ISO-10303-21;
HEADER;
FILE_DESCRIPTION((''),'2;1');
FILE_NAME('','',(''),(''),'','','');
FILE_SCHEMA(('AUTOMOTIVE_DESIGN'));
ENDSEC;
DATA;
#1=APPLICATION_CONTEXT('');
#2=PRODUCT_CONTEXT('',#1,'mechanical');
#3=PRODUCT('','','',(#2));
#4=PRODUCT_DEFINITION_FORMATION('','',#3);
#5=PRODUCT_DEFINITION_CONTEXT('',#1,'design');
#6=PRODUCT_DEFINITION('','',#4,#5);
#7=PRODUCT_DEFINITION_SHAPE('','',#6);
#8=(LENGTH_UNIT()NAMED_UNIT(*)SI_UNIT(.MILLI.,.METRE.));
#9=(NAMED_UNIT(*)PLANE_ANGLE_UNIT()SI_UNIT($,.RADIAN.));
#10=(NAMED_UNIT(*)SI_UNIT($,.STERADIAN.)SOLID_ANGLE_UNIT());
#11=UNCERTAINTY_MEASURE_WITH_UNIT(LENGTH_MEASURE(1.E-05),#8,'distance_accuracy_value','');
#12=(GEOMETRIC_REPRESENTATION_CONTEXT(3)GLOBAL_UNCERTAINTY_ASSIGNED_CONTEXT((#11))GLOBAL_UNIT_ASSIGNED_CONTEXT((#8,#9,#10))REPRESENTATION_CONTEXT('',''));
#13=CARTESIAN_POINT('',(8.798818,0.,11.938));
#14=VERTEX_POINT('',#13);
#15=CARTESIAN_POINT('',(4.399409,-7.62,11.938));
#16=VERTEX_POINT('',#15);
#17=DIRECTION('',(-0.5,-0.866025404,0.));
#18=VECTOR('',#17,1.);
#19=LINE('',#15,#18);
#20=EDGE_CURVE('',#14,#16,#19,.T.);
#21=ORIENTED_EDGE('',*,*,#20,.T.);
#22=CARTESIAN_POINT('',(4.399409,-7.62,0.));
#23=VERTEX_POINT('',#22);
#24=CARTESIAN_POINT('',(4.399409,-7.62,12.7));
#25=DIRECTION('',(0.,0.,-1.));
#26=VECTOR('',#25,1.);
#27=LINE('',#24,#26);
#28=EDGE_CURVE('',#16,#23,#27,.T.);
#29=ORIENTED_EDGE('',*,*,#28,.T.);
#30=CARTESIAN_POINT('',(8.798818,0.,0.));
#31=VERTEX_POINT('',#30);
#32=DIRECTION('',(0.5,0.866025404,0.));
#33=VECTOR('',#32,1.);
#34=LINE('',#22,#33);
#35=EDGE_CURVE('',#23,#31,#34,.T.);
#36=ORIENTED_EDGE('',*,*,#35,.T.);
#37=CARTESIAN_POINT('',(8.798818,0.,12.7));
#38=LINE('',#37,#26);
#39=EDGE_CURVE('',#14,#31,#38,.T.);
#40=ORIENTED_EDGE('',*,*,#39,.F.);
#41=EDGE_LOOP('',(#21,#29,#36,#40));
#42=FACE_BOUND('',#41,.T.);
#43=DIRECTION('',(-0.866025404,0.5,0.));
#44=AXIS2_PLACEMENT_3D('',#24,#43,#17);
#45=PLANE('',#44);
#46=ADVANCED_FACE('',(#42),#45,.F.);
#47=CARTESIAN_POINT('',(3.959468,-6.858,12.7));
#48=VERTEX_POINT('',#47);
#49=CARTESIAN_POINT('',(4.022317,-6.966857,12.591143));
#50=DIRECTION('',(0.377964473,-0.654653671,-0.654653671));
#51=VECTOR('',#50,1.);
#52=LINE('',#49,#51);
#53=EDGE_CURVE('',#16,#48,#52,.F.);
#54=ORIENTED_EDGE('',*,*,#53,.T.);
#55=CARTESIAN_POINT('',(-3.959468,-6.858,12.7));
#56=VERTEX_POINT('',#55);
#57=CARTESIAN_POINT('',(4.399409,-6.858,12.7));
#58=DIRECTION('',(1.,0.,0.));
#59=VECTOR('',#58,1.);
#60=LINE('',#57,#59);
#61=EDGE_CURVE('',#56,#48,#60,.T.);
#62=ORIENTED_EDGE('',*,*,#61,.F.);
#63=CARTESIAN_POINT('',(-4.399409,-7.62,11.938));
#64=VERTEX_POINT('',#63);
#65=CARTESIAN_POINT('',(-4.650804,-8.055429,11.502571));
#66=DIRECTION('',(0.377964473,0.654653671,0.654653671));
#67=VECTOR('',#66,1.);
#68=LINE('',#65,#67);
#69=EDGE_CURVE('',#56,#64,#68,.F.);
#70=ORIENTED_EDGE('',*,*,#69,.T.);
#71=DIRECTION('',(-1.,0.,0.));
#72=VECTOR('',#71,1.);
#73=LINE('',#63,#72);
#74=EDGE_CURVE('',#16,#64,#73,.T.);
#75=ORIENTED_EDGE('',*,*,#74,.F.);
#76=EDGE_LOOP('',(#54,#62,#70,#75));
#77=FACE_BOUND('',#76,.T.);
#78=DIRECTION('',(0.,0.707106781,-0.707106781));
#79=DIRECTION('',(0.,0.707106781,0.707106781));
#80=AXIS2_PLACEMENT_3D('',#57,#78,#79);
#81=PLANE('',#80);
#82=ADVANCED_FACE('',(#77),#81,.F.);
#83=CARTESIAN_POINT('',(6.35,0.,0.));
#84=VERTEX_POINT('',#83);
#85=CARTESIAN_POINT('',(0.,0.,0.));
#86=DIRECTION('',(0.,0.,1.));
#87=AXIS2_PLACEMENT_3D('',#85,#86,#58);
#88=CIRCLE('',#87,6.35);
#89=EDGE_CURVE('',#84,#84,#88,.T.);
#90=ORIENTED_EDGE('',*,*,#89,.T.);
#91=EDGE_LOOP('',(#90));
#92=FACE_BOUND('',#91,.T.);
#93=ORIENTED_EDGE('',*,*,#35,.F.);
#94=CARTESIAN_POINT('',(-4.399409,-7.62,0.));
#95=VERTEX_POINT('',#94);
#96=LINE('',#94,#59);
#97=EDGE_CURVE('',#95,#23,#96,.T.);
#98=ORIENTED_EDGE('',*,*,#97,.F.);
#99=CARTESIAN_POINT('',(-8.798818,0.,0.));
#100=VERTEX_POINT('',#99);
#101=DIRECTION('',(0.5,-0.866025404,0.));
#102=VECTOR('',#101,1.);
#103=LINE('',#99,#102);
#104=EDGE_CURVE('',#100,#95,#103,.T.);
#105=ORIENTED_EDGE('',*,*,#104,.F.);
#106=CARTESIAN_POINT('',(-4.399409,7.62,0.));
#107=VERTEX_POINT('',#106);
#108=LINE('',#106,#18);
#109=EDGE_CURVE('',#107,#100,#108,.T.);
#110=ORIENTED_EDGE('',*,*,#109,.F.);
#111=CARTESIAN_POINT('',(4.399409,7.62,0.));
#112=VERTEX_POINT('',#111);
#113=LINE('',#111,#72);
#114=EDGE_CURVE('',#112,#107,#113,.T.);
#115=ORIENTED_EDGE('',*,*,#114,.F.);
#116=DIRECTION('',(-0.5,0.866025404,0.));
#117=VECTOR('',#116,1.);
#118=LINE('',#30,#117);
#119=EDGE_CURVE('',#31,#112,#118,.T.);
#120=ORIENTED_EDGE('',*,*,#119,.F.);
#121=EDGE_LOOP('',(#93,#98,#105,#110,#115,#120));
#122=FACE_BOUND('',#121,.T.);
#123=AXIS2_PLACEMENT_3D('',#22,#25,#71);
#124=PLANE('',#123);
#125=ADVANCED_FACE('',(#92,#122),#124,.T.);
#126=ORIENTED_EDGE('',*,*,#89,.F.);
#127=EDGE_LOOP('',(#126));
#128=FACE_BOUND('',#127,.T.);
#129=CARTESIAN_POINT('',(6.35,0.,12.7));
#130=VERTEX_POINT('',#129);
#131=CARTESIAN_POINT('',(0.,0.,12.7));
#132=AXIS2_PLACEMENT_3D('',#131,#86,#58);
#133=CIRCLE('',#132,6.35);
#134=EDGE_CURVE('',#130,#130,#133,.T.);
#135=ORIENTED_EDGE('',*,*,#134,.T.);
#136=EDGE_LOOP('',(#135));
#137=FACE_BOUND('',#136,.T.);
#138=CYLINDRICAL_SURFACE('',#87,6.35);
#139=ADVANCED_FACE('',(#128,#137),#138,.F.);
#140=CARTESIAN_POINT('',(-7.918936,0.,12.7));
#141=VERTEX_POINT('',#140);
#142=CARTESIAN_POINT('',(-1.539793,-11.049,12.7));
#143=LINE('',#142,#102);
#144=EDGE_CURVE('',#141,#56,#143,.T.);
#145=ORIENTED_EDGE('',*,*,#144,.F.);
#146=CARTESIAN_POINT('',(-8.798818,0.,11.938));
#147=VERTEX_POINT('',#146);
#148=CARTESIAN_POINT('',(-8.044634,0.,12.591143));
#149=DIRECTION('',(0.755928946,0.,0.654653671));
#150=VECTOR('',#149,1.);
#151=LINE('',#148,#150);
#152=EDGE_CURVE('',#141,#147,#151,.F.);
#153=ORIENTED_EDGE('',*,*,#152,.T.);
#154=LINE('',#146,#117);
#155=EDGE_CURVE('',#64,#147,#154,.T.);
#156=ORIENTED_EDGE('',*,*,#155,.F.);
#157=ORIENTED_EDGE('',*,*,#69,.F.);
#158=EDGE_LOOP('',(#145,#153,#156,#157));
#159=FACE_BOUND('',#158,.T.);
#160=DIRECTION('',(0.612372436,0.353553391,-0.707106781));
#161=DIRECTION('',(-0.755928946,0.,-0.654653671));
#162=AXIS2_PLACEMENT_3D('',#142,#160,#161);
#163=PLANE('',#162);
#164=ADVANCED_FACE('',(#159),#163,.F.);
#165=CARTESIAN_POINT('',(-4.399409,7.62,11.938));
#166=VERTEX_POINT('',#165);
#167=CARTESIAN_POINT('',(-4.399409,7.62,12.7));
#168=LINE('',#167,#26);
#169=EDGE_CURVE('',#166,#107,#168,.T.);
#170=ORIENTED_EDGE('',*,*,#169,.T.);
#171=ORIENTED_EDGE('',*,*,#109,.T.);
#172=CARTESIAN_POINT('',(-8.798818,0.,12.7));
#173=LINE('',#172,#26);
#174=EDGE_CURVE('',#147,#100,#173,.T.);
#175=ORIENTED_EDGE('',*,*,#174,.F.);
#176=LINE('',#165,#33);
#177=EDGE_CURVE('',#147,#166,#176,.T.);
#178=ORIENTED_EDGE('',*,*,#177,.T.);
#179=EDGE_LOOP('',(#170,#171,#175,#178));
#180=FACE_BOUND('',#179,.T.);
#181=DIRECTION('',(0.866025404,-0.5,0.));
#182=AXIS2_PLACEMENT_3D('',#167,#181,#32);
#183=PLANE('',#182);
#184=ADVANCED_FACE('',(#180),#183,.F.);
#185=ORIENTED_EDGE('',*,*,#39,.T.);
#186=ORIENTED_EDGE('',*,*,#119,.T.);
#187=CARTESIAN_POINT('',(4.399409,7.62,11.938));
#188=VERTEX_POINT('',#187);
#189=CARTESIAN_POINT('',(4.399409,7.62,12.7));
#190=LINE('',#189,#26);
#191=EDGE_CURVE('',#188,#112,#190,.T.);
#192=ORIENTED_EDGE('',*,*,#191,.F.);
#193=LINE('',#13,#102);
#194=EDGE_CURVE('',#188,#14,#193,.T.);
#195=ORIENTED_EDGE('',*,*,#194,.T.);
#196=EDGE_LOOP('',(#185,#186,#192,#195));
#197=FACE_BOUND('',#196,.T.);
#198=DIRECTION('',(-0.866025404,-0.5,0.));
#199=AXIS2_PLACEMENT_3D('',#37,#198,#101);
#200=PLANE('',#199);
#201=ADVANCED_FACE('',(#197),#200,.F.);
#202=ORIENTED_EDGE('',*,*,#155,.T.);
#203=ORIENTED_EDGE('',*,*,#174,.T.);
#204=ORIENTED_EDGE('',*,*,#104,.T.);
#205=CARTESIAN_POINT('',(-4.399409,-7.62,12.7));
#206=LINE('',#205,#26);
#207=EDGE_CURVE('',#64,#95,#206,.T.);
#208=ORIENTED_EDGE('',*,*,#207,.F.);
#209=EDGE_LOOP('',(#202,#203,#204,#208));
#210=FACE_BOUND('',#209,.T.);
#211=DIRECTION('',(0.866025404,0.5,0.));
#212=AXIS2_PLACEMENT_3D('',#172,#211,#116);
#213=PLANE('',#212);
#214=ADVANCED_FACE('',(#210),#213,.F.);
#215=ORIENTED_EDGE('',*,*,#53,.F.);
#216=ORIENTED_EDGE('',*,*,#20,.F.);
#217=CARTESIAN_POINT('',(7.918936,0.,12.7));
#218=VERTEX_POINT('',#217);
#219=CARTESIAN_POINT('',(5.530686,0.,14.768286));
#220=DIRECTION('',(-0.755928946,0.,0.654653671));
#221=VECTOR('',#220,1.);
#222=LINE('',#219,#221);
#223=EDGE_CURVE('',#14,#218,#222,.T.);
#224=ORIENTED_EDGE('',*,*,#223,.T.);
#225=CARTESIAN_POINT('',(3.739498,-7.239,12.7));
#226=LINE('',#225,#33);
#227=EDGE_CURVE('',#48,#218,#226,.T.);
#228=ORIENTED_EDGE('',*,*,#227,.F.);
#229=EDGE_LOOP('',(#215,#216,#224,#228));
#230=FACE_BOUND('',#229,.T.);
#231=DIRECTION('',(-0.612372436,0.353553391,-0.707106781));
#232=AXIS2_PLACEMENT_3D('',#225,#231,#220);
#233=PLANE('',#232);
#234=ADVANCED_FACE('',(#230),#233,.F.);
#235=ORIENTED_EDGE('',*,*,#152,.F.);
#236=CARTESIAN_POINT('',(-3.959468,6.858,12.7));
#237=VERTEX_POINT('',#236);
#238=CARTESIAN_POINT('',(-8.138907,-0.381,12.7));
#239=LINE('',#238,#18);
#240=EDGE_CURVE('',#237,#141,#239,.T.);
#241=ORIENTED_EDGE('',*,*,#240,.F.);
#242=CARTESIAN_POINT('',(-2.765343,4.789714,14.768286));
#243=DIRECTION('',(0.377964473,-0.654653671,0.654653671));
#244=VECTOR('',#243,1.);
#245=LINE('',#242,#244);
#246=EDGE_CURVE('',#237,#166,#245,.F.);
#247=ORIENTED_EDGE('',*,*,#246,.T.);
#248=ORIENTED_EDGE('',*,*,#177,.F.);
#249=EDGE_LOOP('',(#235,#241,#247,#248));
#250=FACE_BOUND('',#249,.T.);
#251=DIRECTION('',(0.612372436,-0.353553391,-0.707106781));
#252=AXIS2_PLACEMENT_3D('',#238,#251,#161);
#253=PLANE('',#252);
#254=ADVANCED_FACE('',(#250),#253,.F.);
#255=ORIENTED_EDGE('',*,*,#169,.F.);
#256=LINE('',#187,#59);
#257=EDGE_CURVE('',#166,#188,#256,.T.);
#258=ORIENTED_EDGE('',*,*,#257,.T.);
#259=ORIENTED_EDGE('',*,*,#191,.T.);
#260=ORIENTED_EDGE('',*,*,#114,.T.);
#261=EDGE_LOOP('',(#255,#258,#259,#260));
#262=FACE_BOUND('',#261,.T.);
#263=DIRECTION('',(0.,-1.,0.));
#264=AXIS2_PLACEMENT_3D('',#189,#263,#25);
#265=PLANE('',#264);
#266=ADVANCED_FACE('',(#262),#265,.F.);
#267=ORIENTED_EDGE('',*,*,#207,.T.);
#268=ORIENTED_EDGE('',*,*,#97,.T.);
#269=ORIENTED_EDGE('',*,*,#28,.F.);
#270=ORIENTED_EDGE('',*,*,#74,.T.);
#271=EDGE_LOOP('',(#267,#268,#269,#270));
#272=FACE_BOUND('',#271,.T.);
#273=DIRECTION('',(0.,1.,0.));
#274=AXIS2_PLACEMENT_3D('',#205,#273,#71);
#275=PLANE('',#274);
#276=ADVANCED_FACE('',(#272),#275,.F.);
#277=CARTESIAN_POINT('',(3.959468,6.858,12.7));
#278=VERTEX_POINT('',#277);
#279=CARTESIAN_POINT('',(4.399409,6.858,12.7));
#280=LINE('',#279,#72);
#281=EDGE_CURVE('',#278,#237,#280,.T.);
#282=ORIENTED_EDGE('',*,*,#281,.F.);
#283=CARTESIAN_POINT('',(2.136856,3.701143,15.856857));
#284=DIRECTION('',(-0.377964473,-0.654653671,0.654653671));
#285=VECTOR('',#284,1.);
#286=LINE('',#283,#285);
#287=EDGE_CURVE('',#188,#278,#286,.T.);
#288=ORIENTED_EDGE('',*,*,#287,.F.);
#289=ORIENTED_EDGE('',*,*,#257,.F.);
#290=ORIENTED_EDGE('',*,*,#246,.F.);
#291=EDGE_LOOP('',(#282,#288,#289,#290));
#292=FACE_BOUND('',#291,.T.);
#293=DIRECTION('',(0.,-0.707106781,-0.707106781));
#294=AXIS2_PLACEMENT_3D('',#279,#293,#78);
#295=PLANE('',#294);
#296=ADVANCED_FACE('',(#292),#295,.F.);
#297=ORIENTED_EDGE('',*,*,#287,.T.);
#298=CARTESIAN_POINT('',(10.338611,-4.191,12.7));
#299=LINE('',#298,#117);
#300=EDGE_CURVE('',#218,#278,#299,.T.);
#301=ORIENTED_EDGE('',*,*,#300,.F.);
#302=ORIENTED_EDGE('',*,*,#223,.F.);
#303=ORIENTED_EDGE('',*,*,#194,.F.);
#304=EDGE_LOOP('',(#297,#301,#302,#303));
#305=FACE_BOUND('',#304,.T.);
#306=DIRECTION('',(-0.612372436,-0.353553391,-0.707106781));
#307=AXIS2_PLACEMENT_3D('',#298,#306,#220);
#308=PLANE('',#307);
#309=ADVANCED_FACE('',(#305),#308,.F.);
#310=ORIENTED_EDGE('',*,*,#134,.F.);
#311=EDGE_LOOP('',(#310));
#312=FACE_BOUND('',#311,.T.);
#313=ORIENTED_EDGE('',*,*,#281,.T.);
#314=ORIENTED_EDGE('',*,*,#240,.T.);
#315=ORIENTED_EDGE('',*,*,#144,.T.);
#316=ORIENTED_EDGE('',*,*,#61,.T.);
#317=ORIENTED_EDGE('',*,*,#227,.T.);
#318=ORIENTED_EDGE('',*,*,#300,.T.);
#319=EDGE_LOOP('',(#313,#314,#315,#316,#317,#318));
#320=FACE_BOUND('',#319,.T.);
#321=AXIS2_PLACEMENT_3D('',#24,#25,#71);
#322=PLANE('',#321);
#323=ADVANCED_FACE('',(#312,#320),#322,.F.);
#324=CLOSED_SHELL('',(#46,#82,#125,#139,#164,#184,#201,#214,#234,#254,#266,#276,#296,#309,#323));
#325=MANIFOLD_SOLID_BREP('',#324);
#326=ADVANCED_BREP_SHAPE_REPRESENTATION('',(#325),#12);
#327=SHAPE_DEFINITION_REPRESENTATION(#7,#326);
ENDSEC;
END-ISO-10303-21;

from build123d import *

# Parameters (mm, degrees)
EXTRUDE1_DEPTH     = 12.7
SKETCH4_R          = 6.35
CUT_EXTRUDE1_DEPTH = 13.7
CHAMFER2_SIZE      = 0.762


with BuildPart() as part:
    # Sketch2 → Extrude1 (new body)
    with BuildSketch(Plane.XY):
        Polygon((8.798818102, 0), (4.399409051, 7.62), (-4.399409051, 7.62), (-8.798818102, 0), (-4.399409051, -7.62), (4.399409051, -7.62), align=None)
    extrude(amount=EXTRUDE1_DEPTH)

    # Sketch4 → Cut-Extrude1 (cut, through all)
    with BuildSketch(Plane.XY.offset(12.7)):
        Circle(SKETCH4_R)
    extrude(amount=-CUT_EXTRUDE1_DEPTH, mode=Mode.SUBTRACT)

    # Chamfer2
    chamfer2_edges = [part.edges().sort_by_distance(p)[0] for p in [
        (0, 7.62, 12.7),
        (-6.599113577, 3.81, 12.7),
        (-6.599113577, -3.81, 12.7),
        (0, -7.62, 12.7),
        (6.599113577, -3.81, 12.7),
        (6.599113577, 3.81, 12.7),
    ]]
    chamfer(chamfer2_edges, length=CHAMFER2_SIZE)


solid = part.part
